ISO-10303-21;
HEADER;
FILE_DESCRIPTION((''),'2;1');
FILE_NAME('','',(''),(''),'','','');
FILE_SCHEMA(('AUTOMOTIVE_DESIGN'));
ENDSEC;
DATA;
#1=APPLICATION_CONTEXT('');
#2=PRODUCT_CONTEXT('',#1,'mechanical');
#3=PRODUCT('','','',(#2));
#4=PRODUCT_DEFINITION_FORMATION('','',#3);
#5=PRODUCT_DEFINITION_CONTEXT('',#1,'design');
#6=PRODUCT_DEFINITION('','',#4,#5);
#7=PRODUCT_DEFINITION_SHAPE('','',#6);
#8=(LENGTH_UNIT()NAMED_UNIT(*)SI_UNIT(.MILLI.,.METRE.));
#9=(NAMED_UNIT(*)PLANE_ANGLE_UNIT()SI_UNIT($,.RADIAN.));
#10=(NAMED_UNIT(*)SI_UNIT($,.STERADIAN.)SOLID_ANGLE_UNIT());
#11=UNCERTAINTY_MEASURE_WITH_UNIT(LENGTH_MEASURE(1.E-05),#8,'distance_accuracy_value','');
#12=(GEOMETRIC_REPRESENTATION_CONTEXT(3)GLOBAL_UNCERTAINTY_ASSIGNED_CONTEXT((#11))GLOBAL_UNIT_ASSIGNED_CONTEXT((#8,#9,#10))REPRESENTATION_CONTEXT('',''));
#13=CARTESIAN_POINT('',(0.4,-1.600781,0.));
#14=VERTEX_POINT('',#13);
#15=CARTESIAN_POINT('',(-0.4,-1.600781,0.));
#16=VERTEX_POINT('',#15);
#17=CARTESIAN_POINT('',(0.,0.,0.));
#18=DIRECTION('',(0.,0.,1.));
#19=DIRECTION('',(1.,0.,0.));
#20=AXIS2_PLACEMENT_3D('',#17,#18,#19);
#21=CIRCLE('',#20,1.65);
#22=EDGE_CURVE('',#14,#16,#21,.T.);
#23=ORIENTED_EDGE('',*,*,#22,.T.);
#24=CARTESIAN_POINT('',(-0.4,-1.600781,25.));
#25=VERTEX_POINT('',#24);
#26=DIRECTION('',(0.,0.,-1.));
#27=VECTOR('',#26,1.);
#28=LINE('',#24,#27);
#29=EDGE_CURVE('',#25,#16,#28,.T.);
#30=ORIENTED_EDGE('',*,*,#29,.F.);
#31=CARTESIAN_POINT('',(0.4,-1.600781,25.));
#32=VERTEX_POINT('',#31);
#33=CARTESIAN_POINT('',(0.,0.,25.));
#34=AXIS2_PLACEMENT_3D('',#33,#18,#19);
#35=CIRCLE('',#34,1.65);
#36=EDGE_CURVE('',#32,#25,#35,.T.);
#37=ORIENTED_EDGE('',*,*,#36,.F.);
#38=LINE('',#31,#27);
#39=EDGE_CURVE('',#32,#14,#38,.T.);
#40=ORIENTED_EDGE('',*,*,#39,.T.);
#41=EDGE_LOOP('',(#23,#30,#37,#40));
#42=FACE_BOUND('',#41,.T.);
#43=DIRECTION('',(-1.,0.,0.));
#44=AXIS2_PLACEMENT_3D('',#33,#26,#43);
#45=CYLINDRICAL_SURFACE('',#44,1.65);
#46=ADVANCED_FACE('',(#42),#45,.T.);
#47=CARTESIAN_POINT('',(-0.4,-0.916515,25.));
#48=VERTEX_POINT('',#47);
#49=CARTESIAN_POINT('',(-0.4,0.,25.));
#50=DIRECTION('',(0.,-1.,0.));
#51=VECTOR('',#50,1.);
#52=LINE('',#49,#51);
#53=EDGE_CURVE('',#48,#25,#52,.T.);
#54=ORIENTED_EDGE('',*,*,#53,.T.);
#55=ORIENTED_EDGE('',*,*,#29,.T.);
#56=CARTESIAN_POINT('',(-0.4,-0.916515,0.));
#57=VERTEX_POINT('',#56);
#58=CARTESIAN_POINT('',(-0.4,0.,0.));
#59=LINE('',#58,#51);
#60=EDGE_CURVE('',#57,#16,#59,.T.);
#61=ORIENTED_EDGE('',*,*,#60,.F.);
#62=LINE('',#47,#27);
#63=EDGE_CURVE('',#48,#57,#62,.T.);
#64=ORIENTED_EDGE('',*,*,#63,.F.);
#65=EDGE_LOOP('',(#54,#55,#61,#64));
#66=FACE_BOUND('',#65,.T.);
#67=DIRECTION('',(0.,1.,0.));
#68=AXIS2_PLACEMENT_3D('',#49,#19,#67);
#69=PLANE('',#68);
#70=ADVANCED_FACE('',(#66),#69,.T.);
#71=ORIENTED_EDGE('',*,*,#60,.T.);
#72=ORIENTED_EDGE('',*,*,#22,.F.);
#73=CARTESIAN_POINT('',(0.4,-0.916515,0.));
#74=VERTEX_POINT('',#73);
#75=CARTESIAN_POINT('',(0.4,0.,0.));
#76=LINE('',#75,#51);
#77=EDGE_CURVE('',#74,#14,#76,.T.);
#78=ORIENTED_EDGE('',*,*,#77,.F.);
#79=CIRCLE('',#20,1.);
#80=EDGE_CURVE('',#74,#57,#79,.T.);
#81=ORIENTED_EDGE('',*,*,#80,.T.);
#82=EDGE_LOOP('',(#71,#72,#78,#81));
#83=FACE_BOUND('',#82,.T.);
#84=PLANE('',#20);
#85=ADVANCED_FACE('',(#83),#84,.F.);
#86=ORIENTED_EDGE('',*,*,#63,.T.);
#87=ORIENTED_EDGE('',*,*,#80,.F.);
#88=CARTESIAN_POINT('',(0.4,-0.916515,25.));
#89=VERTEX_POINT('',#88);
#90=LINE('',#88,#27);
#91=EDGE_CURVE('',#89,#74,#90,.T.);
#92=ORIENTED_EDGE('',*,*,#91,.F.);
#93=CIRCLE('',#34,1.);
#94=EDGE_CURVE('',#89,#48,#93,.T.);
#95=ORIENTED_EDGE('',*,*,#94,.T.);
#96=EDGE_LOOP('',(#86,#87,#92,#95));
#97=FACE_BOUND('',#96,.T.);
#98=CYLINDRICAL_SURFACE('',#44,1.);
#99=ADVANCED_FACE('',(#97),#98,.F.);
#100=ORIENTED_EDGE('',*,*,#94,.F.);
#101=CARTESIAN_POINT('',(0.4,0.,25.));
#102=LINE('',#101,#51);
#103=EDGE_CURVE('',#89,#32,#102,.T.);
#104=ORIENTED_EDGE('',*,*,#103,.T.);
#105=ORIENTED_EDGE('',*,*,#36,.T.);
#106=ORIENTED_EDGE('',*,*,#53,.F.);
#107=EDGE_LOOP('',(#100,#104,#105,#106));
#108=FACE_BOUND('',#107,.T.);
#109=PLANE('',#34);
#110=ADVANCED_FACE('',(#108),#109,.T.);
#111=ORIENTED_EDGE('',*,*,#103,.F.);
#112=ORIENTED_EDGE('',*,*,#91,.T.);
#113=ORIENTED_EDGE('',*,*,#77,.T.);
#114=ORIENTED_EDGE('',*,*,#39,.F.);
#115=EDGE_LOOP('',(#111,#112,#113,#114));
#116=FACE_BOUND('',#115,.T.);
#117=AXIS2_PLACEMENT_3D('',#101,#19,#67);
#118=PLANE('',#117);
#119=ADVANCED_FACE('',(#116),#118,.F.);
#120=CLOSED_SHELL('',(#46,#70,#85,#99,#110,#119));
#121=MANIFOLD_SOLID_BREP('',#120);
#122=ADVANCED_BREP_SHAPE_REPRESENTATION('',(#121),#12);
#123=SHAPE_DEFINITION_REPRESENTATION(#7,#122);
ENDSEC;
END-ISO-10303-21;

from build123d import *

# Parameters (mm, degrees)
DOWEL_BODY_DEPTH = 25


with BuildPart() as part:
    # Sketch1 → dowel_body (new body)
    with BuildSketch(Plane.XY):
        with BuildLine():
            Line((-0.4, -1.600781059), (-0.4, -0.916515139))
            ThreePointArc((-0.4, -0.916515139), (-0.547722558, 0.836660027), (1, 0))
            ThreePointArc((1, 0), (0.836660027, -0.547722558), (0.4, -0.916515139))
            Line((0.4, -0.916515139), (0.4, -1.600781059))
            ThreePointArc((0.4, -1.600781059), (1.30048068, -1.015504801), (1.65, 0))
            ThreePointArc((1.65, 0), (-1.015504801, 1.30048068), (-0.4, -1.600781059))
        make_face()
    extrude(amount=DOWEL_BODY_DEPTH)


solid = part.part
